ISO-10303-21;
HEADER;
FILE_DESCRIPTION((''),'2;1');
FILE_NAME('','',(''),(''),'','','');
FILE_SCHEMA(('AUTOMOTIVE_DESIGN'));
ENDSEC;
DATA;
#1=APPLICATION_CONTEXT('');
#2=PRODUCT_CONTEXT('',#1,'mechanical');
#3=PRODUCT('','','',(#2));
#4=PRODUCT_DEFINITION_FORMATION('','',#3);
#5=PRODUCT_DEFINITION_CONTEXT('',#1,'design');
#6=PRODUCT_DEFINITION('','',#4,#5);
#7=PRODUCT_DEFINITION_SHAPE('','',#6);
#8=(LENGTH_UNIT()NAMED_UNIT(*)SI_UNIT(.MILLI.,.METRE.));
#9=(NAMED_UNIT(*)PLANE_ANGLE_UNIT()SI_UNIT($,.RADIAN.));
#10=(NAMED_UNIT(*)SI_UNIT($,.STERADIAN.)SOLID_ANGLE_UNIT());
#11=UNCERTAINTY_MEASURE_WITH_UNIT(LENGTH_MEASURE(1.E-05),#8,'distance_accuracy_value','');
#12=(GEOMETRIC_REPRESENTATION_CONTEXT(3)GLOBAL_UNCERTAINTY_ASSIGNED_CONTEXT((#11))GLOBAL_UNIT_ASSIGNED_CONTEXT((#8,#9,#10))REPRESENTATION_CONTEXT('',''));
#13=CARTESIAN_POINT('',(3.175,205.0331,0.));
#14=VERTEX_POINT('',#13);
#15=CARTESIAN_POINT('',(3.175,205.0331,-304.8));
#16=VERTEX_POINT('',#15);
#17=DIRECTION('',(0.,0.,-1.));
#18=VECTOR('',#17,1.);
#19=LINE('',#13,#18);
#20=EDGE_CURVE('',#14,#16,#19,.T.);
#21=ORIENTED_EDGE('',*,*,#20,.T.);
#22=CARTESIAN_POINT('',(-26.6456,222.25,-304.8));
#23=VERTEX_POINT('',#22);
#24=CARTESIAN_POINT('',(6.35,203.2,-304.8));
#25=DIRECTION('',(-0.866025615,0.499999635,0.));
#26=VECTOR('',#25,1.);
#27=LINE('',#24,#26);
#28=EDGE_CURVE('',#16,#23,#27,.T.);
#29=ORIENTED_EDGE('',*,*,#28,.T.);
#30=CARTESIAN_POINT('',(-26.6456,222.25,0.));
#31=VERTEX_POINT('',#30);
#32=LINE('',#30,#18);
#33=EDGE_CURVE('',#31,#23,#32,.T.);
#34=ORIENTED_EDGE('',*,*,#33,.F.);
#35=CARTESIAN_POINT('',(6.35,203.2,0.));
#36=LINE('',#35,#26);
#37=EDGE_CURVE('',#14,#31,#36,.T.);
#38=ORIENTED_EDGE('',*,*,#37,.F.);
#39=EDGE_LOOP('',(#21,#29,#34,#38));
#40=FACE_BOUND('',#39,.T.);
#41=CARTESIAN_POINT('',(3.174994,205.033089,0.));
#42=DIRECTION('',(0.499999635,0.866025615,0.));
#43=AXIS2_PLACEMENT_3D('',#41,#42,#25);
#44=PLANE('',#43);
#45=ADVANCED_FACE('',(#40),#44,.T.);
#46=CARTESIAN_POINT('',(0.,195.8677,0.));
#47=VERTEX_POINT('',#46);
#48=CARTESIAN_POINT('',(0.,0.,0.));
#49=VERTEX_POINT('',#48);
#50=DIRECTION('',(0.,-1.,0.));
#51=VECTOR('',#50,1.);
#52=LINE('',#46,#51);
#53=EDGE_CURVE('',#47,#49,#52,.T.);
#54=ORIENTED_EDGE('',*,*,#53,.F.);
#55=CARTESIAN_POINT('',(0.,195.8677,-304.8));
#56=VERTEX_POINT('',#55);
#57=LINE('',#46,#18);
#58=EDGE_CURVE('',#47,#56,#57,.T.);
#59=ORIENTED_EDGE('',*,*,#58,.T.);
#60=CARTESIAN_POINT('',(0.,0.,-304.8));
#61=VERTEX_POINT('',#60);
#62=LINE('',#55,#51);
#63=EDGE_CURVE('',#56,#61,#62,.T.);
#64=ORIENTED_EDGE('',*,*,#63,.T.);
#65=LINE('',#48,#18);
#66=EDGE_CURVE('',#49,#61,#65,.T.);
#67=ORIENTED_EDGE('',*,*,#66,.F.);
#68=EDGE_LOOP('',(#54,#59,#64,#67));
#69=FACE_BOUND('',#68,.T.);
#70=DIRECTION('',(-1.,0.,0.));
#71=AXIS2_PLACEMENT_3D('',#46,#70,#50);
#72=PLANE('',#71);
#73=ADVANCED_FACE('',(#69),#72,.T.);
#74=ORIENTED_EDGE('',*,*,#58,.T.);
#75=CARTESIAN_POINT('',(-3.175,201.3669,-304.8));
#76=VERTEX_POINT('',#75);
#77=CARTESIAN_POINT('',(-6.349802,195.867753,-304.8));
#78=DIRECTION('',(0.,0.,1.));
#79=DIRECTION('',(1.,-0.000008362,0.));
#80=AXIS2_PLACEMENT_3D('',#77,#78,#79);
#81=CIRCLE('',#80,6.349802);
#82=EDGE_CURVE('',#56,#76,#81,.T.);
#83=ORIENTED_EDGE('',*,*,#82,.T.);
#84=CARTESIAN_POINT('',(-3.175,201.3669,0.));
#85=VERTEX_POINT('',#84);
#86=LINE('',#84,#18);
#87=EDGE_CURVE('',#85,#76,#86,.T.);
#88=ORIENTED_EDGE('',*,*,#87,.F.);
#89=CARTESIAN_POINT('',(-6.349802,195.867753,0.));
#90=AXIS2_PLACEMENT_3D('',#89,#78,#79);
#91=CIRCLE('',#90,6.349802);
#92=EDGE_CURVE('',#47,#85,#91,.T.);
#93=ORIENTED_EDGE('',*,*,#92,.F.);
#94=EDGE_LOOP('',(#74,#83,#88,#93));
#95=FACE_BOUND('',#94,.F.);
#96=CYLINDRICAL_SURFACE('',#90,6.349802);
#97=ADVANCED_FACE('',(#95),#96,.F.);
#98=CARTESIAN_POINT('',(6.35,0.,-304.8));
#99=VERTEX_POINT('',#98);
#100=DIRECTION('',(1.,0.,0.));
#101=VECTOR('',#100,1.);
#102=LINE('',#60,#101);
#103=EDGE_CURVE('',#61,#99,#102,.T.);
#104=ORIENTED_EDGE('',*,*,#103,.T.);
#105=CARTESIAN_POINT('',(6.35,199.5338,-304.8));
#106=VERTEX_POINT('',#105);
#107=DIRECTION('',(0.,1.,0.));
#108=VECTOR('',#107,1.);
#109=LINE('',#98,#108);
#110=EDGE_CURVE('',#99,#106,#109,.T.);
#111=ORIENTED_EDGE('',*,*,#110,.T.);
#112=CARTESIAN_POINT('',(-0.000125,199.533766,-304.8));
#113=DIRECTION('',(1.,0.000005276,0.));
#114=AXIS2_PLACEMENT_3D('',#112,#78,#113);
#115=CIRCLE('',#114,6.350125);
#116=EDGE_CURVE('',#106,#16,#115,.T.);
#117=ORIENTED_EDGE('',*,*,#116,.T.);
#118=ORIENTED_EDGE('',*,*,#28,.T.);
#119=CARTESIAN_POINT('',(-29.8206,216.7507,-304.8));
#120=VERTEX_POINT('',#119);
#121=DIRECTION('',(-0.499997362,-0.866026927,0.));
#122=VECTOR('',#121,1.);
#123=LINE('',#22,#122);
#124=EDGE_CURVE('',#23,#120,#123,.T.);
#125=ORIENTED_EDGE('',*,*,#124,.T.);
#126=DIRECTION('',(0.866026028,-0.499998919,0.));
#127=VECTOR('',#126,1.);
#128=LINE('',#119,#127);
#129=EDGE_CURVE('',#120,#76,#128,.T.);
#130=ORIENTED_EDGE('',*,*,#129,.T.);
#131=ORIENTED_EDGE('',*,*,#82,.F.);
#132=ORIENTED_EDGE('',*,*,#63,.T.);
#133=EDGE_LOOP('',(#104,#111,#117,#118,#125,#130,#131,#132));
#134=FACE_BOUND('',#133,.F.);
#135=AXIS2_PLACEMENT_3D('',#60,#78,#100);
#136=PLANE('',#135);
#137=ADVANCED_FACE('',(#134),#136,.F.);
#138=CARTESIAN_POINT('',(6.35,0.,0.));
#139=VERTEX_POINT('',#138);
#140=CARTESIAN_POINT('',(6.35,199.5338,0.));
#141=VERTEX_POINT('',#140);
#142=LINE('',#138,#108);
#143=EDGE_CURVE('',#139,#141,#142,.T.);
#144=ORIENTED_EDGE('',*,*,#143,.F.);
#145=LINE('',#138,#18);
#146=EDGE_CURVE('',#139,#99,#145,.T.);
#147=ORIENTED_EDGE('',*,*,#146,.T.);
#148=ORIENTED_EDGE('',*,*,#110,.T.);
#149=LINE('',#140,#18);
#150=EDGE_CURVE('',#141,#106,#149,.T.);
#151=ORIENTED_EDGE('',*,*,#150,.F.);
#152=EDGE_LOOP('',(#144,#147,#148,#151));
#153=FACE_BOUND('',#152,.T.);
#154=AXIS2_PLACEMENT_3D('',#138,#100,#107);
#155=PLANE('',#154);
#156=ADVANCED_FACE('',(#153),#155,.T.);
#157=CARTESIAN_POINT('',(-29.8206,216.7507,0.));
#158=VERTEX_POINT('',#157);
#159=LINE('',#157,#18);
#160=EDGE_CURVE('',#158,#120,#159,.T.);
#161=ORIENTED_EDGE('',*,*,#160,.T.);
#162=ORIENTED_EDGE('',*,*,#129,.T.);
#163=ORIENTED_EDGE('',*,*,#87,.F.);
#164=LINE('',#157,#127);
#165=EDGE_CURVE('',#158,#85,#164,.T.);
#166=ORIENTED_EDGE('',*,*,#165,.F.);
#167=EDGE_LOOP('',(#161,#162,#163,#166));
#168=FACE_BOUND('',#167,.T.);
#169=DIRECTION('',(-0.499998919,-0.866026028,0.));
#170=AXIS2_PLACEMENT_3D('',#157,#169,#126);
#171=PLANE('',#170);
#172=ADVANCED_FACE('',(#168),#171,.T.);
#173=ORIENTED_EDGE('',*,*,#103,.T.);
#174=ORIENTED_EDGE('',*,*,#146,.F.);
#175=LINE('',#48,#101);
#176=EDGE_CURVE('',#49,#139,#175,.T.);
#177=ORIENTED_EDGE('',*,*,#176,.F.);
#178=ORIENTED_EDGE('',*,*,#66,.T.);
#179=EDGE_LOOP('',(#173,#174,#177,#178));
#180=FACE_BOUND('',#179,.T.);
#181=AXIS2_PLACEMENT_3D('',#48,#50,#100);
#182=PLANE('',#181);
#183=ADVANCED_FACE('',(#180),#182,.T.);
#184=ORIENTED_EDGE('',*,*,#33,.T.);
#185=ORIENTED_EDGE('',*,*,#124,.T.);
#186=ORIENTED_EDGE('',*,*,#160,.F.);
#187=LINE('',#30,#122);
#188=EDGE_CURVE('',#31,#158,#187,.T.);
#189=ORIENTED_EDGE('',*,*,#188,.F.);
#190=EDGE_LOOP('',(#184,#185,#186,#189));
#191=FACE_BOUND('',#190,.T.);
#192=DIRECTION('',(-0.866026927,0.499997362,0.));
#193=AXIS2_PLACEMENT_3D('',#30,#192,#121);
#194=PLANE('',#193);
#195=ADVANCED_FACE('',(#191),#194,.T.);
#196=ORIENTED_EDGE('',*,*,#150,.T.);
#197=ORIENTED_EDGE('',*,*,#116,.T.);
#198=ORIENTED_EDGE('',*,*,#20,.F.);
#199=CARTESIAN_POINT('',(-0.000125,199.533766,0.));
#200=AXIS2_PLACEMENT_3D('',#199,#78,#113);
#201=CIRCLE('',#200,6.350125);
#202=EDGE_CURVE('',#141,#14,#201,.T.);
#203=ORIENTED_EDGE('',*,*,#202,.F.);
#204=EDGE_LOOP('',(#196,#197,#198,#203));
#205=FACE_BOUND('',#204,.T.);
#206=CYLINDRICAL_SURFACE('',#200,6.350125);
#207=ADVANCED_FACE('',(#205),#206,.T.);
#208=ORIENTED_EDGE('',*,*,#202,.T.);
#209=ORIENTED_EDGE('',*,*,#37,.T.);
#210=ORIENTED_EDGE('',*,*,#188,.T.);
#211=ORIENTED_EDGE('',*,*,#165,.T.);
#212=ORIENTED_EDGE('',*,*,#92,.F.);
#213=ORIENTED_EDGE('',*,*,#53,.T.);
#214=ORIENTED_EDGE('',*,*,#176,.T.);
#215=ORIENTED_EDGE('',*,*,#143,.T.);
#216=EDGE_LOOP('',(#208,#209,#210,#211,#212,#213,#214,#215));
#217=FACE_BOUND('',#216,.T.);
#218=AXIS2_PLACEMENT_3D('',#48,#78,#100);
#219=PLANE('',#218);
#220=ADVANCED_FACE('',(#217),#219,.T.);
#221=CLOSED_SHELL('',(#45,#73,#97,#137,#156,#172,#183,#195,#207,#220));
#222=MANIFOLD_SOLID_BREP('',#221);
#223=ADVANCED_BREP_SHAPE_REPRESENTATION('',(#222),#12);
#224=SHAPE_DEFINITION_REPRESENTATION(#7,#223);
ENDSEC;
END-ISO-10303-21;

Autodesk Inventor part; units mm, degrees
ref_plane "YZ Plane" through (0, 0, 0) normal (1, 0, 0) x (0, 1, 0)
ref_plane "XZ Plane" through (0, 0, 0) normal (0, 1, 0) x (-1, 0, 0)
ref_plane "XY Plane" through (0, 0, 0) normal (0, 0, 1) x (1, 0, 0)
sketch "Sketch1" plane through (0, 0, 0) normal (0, 0, 1) x (1, 0, 0)
  line L0 (0, 0) -> (6.35, 0)
  line L1 (6.35, 0) -> (6.35, 203.2)
  line L2 (6.35, 203.2) -> (-26.6456, 222.25)
  line L3 (-26.6456, 222.25) -> (-29.8206, 216.7507)
  line L4 (-29.8206, 216.7507) -> (-3.175, 201.3669)
  line L5 (0, 195.8677) -> (0, 0)
  arc A0 (6.35, 199.5338) -> (3.175, 205.0331) centre (0, 199.5338) ccw
  arc A1 (0, 195.8677) -> (-3.175, 201.3669) centre (-6.35, 195.8677) ccw
  dimension "d0" = 6.35
  dimension "d1" = 6.35
  dimension "d2" = 120
  dimension "d3" = 38.1
  dimension "d4" = 203.2
  dimension "d6" = 6.35
extrude "Extrusion1" add sketch "Sketch1" against normal blind 304.8 contours L5 A1 L4 L3 L2 A0 L1 L0
properties part number "GE-13044" material "Polycarbonate, Clear"
